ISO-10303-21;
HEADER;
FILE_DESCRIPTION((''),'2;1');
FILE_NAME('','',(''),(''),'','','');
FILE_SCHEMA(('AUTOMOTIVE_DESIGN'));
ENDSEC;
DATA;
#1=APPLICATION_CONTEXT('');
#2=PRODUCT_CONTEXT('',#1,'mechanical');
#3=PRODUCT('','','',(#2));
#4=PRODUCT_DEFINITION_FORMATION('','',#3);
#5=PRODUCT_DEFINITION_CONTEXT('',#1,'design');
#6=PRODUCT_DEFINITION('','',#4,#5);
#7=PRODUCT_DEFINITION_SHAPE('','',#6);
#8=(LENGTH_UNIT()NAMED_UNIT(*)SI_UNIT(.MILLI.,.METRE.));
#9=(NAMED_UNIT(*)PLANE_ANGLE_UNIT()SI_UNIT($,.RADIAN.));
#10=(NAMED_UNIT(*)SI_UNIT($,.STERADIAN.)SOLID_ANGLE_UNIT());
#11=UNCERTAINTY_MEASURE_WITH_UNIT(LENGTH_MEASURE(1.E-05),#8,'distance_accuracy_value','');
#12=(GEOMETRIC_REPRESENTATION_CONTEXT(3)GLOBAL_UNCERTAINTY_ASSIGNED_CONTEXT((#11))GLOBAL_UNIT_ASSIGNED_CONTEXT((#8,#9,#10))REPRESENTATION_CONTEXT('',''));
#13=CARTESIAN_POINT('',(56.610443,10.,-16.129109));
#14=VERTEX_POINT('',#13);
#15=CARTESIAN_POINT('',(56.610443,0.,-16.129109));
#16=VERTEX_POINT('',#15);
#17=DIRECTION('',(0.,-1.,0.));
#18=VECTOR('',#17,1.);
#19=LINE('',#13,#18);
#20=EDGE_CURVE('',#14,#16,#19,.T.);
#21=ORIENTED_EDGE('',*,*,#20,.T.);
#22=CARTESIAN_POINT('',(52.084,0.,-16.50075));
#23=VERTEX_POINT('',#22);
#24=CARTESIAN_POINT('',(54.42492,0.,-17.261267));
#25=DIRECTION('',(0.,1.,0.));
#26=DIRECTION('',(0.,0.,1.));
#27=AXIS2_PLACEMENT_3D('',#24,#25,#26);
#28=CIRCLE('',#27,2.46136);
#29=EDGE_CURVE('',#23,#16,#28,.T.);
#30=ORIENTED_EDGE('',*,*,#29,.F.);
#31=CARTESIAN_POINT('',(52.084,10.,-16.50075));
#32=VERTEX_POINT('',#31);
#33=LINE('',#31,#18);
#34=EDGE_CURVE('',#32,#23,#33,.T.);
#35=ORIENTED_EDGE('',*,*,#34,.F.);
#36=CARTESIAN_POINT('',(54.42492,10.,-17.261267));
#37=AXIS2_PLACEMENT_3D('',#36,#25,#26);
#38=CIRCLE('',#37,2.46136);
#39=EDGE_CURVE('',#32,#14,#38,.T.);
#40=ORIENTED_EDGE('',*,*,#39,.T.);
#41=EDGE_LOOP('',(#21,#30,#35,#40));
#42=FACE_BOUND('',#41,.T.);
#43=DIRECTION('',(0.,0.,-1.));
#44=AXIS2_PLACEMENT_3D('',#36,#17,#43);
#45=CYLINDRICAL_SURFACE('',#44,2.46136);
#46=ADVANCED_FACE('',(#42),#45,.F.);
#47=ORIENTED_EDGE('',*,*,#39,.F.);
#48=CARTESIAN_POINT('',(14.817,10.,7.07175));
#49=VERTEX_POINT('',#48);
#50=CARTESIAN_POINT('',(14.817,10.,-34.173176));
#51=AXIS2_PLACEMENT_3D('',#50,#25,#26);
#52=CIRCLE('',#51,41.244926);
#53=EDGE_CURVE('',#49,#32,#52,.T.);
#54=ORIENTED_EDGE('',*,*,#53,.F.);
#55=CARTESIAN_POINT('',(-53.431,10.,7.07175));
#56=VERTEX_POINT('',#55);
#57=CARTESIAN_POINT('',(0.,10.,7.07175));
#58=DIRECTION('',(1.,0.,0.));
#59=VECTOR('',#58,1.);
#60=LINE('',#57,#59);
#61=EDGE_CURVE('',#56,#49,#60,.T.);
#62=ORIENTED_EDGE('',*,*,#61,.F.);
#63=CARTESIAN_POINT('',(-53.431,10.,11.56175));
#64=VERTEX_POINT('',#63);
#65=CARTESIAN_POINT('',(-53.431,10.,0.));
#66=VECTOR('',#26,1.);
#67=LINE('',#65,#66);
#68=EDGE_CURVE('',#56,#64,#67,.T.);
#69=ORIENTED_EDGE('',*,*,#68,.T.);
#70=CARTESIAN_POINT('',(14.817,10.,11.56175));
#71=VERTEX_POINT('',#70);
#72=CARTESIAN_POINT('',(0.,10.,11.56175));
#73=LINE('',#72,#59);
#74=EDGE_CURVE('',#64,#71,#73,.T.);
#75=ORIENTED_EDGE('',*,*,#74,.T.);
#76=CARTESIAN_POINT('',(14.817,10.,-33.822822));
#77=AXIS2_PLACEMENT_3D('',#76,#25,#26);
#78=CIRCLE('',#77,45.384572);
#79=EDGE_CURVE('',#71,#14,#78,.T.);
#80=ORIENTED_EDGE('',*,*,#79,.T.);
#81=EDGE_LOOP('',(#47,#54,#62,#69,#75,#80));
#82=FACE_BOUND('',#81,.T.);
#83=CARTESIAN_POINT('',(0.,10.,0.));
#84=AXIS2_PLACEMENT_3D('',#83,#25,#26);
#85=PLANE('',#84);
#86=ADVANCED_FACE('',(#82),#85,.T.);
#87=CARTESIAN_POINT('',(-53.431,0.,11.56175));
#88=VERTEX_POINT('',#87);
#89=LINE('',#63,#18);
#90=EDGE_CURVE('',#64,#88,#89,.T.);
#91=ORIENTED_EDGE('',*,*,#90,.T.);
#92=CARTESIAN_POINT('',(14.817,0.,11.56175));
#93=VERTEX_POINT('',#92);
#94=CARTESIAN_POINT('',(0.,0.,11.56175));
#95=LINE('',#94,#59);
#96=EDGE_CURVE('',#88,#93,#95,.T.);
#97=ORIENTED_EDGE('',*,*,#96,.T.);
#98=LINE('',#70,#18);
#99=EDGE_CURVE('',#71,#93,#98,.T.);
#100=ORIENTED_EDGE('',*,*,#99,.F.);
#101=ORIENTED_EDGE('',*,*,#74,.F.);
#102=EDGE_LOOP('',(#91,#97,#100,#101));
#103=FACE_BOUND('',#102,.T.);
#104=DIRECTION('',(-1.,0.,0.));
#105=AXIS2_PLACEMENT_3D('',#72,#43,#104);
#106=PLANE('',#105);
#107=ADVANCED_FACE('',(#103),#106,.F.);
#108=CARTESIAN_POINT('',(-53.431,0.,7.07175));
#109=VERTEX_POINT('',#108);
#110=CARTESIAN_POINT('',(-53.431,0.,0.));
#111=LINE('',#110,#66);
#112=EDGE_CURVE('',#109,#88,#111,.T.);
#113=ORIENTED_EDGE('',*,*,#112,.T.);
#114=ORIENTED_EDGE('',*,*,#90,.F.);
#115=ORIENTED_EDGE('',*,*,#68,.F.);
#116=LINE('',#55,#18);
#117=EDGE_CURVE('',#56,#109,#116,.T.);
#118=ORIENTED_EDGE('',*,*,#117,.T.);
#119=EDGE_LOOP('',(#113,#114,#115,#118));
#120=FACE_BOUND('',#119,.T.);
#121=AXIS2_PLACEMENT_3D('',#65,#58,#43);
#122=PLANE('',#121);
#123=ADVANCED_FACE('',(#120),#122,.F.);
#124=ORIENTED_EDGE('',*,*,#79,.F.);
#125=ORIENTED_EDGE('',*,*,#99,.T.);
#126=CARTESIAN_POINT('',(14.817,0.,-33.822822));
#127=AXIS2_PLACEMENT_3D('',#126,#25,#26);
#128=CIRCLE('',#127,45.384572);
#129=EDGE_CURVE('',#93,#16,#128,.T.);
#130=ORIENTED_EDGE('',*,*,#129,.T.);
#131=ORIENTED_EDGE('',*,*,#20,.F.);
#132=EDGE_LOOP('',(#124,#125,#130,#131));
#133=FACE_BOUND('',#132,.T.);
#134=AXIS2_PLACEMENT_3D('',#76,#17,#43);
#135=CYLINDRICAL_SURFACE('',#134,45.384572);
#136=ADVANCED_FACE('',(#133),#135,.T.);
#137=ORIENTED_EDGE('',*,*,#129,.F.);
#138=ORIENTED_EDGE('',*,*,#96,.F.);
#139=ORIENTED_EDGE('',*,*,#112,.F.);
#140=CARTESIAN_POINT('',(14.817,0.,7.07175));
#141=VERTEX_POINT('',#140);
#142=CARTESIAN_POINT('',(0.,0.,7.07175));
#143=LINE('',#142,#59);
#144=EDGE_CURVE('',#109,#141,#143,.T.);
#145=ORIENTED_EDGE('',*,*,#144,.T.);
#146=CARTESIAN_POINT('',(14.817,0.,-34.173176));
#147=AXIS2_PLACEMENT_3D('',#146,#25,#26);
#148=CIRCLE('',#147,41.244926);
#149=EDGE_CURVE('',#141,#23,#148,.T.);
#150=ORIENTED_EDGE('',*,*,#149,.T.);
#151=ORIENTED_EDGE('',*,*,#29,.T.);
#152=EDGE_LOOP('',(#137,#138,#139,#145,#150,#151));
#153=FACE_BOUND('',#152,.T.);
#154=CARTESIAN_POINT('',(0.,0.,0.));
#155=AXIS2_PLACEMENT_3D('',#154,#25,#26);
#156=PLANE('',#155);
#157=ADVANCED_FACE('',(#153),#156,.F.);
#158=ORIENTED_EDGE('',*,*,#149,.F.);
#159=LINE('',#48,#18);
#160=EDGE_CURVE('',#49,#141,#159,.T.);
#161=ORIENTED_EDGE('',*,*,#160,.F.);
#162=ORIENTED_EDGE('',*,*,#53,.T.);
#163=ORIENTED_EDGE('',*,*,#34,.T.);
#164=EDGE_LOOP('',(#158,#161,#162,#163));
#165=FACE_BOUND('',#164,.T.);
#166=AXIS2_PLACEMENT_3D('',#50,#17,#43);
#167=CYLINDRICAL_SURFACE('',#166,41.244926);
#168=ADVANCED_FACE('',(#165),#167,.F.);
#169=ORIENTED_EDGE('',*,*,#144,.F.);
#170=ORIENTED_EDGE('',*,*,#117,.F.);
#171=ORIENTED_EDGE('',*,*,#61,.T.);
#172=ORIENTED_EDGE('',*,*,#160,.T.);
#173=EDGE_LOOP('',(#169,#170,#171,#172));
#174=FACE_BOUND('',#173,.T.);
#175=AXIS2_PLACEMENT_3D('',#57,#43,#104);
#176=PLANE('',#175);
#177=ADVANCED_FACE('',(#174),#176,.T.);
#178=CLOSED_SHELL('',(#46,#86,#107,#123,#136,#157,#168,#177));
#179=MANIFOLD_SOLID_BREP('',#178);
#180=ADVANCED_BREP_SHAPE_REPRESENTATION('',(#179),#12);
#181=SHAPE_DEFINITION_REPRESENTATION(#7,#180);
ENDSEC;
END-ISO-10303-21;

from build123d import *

# Parameters (mm, degrees)
BOSS_EXTRUDE1_DEPTH = 10


with BuildPart() as part:
    # Sketch2 → Boss-Extrude1 (new body)
    with BuildSketch(Plane(origin=(0, 0, 0), x_dir=(1, 0, 0), z_dir=(0, 1, 0))):
        with BuildLine():
            Line((-53.431, -7.07175), (-53.431, -11.56175))
            Line((-53.431, -11.56175), (14.817, -11.56175))
            ThreePointArc((14.817, -11.56175), (39.884287183, -4.010899621), (56.610443192, 16.129108655))
            ThreePointArc((56.610443192, 16.129108655), (54.223509177, 14.808161455), (52.084, 16.50075))
            ThreePointArc((52.084, 16.50075), (36.865197462, -0.683974082), (14.817, -7.07175))
            Line((14.817, -7.07175), (-53.431, -7.07175))
        make_face()
    extrude(amount=BOSS_EXTRUDE1_DEPTH)


solid = part.part
